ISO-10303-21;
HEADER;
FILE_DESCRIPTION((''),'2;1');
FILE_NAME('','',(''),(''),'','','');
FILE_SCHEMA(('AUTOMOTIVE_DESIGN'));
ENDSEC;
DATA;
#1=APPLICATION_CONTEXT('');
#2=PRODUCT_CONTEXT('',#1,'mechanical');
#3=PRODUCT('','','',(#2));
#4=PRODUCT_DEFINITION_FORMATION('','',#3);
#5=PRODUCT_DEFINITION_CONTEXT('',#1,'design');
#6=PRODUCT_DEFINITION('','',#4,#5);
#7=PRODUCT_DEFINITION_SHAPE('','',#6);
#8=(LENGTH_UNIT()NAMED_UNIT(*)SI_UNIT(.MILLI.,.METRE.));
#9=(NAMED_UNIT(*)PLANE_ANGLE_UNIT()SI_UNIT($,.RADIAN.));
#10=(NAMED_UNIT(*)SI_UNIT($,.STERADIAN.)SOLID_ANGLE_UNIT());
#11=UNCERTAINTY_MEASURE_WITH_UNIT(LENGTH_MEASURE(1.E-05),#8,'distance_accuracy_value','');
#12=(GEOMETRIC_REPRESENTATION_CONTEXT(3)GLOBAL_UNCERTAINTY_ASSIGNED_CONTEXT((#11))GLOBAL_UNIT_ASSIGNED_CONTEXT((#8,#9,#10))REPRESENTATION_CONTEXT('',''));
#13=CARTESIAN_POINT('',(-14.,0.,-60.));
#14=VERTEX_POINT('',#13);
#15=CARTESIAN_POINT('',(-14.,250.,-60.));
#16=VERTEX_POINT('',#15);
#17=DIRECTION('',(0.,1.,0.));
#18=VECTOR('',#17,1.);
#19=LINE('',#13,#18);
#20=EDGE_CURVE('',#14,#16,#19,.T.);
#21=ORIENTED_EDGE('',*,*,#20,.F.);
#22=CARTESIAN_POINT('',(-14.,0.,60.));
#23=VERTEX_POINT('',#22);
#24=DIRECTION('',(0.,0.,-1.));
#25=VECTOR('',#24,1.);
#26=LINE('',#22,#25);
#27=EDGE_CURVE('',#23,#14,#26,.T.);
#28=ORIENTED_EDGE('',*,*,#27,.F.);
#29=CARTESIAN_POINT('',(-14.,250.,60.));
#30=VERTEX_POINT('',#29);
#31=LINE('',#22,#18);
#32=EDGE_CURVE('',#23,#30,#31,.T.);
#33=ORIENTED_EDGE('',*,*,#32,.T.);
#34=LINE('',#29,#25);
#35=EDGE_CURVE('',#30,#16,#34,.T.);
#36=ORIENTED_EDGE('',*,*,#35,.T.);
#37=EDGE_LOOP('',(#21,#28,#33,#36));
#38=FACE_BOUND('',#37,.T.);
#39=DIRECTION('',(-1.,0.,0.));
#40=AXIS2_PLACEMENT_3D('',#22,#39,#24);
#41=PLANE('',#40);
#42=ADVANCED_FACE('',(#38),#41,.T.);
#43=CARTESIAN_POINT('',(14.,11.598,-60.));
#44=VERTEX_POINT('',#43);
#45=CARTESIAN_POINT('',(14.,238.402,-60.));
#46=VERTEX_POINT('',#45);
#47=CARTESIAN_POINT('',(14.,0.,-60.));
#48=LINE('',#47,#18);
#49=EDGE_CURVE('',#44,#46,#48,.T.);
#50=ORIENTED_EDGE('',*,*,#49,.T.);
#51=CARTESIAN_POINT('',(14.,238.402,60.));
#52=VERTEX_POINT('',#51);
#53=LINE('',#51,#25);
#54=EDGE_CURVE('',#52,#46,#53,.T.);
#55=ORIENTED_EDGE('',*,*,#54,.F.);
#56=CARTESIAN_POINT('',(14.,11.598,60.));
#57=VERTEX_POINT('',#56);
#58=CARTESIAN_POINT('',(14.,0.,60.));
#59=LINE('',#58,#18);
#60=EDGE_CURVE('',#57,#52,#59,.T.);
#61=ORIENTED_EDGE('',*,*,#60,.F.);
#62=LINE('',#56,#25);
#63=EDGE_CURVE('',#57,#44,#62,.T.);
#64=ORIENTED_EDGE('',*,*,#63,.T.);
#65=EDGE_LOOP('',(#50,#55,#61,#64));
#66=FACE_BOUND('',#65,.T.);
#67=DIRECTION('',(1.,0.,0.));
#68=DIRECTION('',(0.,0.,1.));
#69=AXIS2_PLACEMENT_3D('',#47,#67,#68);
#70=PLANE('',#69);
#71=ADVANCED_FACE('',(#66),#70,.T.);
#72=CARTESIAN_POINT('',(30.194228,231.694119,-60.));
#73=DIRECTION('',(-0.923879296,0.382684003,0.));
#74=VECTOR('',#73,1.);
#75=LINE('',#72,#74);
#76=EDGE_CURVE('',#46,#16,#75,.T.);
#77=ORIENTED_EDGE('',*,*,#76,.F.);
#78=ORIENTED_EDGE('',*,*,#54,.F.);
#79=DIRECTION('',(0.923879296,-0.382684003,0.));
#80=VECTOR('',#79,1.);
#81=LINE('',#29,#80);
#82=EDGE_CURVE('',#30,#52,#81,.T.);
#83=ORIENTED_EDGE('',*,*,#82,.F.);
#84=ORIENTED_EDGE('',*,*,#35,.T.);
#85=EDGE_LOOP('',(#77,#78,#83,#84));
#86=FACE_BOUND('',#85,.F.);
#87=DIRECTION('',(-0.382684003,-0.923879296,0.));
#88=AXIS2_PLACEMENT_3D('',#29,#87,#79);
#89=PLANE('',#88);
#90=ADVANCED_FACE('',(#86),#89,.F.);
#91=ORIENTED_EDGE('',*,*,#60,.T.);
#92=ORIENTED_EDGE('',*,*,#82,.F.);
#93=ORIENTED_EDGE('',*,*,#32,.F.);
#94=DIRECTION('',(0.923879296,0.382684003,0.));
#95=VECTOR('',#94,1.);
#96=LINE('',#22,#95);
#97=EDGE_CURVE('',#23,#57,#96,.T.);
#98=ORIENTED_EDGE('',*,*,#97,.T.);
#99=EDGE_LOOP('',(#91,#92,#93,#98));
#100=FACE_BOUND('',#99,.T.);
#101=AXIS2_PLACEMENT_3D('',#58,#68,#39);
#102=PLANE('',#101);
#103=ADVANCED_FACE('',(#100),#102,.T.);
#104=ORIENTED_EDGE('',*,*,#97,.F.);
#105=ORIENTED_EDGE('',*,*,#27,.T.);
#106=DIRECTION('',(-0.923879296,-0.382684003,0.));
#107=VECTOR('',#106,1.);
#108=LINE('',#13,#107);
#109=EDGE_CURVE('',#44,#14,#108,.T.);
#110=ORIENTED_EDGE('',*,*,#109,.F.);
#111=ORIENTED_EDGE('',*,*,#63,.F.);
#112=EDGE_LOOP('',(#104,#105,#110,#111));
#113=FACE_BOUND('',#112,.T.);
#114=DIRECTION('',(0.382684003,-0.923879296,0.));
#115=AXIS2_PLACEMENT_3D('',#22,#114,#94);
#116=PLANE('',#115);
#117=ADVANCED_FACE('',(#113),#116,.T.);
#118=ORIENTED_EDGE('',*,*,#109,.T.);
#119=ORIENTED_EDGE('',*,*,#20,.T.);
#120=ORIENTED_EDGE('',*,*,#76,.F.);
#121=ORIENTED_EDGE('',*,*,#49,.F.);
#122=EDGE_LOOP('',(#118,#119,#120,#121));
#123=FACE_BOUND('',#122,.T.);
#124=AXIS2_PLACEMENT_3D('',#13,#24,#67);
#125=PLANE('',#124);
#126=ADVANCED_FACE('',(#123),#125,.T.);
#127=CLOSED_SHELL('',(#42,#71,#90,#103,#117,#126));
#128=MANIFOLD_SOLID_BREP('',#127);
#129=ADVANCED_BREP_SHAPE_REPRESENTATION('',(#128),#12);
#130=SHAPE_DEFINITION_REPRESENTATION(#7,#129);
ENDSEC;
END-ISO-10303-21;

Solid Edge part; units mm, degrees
sketch "Sketch1" plane through (0, 0, 0) normal (0, -1, 0) x (1, 0, 0)
  line L0 (-14, -60) -> (14, -60)
  line L1 (14, -60) -> (14, 60)
  line L2 (14, 60) -> (-14, 60)
  line L3 (-14, 60) -> (-14, -60)
extrude "Protrusion1" add sketch "Sketch1" against normal blind 250
sketch "Sketch2" plane through (0, 145, 60) normal (0, 0, 1) x (0, 1, 0)
  line L0 (105, 14) -> (93.402, -14)
  line L1 (93.402, -14) -> (105, -14)
  line L2 (105, -14) -> (105, 14)
  line L3 (-145, 14) -> (-133.402, -14)
  line L4 (-133.402, -14) -> (-145, -14)
  line L5 (-145, -14) -> (-145, 14)
extrude "ExtrudedCutout_1" cut sketch "Sketch2" against normal blind 667.1291
